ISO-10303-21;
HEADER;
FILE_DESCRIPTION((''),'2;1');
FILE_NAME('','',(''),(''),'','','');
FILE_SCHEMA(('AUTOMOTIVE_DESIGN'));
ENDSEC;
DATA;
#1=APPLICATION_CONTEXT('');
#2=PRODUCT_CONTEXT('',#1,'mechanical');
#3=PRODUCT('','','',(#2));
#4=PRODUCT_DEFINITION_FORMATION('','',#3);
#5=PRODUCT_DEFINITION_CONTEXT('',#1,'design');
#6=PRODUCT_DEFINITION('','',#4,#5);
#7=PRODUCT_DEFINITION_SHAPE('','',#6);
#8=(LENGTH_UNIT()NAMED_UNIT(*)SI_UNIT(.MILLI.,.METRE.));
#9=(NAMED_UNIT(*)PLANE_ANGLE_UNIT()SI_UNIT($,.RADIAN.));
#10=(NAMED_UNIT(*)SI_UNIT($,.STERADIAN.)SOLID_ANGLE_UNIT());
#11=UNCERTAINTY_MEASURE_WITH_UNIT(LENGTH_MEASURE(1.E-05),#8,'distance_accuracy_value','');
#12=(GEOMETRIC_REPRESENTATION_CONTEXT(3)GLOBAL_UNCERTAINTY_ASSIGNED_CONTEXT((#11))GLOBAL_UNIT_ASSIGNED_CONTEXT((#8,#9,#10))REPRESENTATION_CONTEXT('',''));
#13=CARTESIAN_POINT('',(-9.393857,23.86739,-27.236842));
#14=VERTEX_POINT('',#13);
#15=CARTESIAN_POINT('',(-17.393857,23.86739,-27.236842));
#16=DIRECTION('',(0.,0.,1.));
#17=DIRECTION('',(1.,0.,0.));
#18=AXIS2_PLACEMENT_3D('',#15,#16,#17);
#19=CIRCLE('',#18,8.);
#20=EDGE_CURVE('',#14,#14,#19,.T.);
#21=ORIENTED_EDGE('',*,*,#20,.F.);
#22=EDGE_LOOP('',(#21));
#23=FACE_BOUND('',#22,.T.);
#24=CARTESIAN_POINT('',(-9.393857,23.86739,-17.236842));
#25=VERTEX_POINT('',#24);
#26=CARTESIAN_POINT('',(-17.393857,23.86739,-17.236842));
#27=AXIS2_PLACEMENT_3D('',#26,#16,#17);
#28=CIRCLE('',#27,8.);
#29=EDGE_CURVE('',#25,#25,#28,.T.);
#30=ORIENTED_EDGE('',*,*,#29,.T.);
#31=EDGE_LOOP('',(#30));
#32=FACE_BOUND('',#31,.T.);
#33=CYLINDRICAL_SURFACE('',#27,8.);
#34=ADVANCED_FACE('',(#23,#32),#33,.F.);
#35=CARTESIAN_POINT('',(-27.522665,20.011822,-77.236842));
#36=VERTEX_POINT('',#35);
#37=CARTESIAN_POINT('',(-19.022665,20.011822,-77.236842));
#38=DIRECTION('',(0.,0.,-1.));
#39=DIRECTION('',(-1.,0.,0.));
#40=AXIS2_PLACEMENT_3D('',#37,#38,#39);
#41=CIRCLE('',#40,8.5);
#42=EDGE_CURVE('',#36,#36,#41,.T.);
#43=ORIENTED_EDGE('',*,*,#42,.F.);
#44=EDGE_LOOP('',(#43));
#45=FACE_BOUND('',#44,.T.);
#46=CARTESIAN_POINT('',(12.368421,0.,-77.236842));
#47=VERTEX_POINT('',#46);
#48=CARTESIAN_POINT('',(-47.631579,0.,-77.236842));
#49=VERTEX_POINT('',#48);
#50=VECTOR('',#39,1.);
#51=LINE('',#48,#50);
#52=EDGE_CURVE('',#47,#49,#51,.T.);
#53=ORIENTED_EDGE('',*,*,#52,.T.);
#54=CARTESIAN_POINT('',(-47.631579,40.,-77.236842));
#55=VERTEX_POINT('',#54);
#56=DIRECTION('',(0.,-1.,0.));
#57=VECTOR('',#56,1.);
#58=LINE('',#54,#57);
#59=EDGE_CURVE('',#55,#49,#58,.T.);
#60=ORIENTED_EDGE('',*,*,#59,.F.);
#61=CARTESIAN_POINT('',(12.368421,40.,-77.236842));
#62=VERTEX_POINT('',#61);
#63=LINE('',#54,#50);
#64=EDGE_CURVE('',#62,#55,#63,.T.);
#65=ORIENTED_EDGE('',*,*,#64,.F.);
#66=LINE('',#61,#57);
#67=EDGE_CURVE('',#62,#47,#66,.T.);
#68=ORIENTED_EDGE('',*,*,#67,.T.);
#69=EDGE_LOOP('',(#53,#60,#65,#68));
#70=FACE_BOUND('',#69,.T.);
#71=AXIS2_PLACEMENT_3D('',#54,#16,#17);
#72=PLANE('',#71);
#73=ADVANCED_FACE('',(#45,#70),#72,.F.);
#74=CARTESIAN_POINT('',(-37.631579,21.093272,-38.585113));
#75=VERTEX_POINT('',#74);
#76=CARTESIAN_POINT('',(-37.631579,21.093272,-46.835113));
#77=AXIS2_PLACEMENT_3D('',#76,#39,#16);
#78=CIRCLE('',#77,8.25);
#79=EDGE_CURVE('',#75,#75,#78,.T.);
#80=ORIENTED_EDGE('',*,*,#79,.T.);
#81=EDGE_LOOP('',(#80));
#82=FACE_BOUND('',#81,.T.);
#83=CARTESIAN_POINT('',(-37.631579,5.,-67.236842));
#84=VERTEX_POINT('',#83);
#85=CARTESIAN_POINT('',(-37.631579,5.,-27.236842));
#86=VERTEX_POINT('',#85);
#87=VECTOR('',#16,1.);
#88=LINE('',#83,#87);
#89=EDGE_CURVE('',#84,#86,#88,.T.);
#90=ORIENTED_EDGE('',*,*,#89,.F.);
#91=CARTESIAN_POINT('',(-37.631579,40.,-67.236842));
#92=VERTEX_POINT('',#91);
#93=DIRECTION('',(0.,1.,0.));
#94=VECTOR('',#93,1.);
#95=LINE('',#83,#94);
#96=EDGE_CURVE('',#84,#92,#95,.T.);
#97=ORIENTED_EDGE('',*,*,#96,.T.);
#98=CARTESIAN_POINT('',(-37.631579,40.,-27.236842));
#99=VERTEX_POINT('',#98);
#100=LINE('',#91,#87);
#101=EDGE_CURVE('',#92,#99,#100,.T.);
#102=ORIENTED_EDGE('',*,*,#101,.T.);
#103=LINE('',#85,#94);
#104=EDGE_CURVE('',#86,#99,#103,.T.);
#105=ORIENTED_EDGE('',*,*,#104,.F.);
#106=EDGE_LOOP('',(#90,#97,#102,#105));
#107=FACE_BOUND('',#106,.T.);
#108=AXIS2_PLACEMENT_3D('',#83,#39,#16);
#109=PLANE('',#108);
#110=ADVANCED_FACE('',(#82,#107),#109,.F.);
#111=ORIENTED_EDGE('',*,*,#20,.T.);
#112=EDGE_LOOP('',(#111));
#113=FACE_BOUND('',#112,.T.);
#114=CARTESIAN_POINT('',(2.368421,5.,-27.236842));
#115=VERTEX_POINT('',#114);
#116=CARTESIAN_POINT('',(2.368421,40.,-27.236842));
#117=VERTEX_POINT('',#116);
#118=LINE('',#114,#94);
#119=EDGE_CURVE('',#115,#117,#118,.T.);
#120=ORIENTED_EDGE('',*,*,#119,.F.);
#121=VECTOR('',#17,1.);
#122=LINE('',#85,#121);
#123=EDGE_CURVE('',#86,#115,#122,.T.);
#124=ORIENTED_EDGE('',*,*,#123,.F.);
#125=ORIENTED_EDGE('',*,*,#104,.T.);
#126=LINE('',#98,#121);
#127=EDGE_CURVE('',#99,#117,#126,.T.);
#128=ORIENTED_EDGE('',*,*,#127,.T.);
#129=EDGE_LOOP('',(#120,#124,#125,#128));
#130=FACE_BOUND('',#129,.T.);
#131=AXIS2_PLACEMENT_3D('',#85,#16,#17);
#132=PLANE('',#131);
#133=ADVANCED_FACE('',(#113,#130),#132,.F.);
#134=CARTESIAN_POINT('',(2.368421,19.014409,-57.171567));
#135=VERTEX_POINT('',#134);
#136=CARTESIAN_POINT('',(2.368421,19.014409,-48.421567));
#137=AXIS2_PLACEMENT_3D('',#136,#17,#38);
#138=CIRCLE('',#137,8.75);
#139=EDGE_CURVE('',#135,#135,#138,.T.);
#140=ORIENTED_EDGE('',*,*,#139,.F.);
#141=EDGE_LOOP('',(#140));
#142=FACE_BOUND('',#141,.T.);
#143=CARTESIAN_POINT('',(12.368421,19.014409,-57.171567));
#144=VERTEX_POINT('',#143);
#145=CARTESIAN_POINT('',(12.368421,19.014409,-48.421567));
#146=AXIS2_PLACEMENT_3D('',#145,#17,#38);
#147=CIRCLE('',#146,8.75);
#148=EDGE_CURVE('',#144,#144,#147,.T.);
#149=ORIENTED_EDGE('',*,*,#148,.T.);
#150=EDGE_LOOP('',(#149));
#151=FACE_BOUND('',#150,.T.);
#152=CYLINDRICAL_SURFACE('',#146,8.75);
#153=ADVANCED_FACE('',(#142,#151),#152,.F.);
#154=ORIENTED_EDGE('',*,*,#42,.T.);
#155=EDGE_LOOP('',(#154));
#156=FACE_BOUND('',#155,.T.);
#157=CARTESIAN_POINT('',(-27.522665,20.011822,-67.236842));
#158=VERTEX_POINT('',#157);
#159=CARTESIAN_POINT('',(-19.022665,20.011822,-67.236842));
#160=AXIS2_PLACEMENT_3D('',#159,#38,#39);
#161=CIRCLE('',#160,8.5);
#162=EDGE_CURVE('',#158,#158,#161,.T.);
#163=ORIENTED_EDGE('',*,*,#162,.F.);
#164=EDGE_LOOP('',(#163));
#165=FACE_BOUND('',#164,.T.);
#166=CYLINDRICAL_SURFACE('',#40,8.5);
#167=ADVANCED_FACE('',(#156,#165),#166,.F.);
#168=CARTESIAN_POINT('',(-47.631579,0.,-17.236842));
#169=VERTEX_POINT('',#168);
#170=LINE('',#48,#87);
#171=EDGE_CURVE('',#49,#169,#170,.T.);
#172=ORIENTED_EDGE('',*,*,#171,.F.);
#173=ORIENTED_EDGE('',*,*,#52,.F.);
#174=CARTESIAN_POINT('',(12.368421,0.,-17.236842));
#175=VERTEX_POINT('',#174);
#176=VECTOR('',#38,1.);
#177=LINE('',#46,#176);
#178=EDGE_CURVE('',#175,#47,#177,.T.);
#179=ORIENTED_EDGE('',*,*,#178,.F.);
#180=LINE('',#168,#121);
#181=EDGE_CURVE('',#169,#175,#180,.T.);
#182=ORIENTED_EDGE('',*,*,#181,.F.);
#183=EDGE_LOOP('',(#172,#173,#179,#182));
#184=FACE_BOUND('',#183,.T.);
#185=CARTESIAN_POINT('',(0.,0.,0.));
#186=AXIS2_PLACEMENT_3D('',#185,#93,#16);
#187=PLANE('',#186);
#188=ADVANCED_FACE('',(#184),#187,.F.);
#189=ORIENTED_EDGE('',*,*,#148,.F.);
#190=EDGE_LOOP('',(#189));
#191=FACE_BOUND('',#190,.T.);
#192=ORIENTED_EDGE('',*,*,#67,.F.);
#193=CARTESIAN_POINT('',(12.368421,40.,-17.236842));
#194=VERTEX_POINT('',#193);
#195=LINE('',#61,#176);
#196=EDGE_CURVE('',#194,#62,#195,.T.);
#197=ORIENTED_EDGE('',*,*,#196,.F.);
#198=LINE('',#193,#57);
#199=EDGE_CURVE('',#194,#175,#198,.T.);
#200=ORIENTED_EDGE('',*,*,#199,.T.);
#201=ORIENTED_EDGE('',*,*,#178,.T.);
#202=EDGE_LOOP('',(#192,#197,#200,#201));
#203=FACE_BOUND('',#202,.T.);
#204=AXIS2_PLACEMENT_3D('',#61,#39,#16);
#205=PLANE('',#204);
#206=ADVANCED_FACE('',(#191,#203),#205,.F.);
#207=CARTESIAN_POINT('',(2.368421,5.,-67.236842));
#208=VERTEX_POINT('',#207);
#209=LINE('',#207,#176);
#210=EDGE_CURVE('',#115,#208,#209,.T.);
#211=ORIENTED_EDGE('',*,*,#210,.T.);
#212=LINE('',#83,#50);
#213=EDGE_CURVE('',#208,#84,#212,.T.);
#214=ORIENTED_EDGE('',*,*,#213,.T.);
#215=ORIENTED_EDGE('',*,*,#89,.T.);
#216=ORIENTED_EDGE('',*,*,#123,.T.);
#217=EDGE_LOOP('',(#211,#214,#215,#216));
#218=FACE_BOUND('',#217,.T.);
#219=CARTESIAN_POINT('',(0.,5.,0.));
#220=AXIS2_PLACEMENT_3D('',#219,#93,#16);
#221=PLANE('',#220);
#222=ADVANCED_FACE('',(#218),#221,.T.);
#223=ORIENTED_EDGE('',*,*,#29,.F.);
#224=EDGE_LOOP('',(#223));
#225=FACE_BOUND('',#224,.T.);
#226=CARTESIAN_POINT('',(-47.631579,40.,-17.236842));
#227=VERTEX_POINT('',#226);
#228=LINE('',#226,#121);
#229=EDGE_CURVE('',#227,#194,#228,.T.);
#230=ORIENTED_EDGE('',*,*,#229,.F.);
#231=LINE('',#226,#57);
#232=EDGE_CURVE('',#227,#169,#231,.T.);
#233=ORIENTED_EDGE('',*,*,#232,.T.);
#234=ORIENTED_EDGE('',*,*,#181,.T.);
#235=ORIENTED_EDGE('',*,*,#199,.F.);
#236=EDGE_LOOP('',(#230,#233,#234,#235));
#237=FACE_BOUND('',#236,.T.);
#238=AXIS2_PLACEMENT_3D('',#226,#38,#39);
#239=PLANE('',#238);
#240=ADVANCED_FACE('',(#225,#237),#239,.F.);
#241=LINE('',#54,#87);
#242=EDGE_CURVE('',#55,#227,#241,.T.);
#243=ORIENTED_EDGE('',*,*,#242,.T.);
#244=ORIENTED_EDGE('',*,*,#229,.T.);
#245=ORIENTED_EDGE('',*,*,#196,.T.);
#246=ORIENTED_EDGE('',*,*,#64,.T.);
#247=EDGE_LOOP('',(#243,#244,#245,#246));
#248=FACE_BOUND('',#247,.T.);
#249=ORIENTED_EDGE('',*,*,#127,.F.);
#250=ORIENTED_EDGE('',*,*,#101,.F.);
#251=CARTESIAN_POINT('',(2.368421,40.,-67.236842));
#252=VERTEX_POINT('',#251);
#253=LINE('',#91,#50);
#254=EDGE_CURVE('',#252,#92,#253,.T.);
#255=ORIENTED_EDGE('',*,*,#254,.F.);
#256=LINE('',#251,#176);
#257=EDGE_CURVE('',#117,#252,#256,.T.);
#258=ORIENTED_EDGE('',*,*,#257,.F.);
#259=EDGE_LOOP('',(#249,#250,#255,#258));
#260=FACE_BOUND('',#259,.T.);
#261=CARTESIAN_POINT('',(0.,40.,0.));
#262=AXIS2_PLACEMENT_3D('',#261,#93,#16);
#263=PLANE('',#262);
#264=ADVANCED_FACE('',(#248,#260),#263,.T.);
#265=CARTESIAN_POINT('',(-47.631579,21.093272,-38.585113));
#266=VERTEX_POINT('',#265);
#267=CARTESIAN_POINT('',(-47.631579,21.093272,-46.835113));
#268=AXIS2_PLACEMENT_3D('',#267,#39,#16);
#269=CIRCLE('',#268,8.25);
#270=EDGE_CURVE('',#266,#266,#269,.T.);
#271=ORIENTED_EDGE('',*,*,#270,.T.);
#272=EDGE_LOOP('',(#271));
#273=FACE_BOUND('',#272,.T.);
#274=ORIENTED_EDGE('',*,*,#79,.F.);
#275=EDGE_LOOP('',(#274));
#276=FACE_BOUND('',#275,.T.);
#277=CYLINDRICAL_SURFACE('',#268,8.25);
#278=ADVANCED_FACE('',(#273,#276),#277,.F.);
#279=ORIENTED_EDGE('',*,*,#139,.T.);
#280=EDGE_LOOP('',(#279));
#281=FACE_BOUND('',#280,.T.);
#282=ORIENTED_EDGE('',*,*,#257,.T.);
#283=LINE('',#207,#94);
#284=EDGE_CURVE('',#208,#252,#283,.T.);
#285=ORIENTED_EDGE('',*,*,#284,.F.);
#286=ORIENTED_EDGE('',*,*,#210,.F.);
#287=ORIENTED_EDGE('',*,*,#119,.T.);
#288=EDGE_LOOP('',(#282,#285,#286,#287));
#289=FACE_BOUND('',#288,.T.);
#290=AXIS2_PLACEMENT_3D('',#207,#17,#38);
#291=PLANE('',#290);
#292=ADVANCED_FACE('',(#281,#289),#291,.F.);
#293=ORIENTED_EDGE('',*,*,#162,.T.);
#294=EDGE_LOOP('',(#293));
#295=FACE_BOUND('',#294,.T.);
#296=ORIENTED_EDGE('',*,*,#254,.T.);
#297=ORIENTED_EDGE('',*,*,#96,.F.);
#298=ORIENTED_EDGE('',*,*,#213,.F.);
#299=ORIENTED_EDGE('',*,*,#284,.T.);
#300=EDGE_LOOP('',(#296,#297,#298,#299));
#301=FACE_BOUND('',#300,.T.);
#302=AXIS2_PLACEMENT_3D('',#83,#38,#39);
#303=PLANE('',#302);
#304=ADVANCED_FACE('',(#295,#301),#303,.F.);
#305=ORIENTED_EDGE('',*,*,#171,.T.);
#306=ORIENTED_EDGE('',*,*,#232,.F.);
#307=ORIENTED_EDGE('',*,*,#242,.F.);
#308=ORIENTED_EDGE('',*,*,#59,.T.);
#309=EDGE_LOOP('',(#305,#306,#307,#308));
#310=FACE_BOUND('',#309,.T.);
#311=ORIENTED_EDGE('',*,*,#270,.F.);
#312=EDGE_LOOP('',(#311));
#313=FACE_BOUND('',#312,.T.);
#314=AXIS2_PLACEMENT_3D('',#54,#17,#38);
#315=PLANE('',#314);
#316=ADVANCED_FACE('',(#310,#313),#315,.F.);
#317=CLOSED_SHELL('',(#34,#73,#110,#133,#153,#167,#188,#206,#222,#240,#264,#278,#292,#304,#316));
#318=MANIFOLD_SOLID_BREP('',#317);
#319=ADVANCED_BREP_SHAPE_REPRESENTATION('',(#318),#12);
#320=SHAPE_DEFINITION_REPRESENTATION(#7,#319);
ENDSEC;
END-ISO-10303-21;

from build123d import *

# Parameters (mm, degrees)
SKETCH_1_W                    = 60
SKETCH_1_H                    = 60
EXTRUDE_2_DEPTH               = 40
SKETCH_2_W                    = 40
SKETCH_2_H                    = 40
CUT_EXTRUDE_1_DEPTH           = 35
HOLE_WIZARD_16_0_16_1_D       = 16
HOLE_WIZARD_16_0_16_1_DEPTH   = 10
HOLE_WIZARD_17_5_17_5_1_D     = 17.5
HOLE_WIZARD_17_5_17_5_1_DEPTH = 10
HOLE_WIZARD_16_5_16_5_1_D     = 16.5
HOLE_WIZARD_16_5_16_5_1_DEPTH = 10
HOLE_WIZARD_17_0_17_1_D       = 17
HOLE_WIZARD_17_0_17_1_DEPTH   = 10


with BuildPart() as part:
    # 草圖1 → 填料-伸長2 (new body)
    with BuildSketch(Plane(origin=(0, 0, 0), x_dir=(1, 0, 0), z_dir=(0, 1, 0))):
        with Locations((-17.631578947, 47.236842105)):
            Rectangle(SKETCH_1_W, SKETCH_1_H)
    extrude(amount=EXTRUDE_2_DEPTH)

    # 草圖2 → 除料-伸長1 (cut)
    with BuildSketch(Plane(origin=(0, 40, 0), x_dir=(1, 0, 0), z_dir=(0, 1, 0))):
        with Locations((-17.631578947, 47.236842105)):
            Rectangle(SKETCH_2_W, SKETCH_2_H)
    extrude(amount=-CUT_EXTRUDE_1_DEPTH, mode=Mode.SUBTRACT)

    # Ø16.0 (16) 直徑孔1
    with Locations(Plane(origin=(-17.39385665, 23.867389925, -17.236842105), x_dir=(1, 0, 0), z_dir=(0, 0, 1))):
        with Locations((0, 0)):
            Hole(HOLE_WIZARD_16_0_16_1_D / 2, depth=HOLE_WIZARD_16_0_16_1_DEPTH)

    # Ø17.5 (17.5) 直徑孔1
    with Locations(Plane(origin=(12.368421053, 19.014409134, -48.421566687), x_dir=(0, 0, 1), z_dir=(1, 0, 0))):
        with Locations((0, 0)):
            Hole(HOLE_WIZARD_17_5_17_5_1_D / 2, depth=HOLE_WIZARD_17_5_17_5_1_DEPTH)

    # Ø16.5 (16.5) 直徑孔1
    with Locations(Plane(origin=(-47.631578947, 21.093271668, -46.835113177), x_dir=(0, 0, -1), z_dir=(-1, 0, 0))):
        with Locations((0, 0)):
            Hole(HOLE_WIZARD_16_5_16_5_1_D / 2, depth=HOLE_WIZARD_16_5_16_5_1_DEPTH)

    # Ø17.0 (17) 直徑孔1
    with Locations(Plane(origin=(-19.022665384, 20.011822427, -77.236842105), x_dir=(-1, 0, 0), z_dir=(0, 0, -1))):
        with Locations((0, 0)):
            Hole(HOLE_WIZARD_17_0_17_1_D / 2, depth=HOLE_WIZARD_17_0_17_1_DEPTH)


solid = part.part
